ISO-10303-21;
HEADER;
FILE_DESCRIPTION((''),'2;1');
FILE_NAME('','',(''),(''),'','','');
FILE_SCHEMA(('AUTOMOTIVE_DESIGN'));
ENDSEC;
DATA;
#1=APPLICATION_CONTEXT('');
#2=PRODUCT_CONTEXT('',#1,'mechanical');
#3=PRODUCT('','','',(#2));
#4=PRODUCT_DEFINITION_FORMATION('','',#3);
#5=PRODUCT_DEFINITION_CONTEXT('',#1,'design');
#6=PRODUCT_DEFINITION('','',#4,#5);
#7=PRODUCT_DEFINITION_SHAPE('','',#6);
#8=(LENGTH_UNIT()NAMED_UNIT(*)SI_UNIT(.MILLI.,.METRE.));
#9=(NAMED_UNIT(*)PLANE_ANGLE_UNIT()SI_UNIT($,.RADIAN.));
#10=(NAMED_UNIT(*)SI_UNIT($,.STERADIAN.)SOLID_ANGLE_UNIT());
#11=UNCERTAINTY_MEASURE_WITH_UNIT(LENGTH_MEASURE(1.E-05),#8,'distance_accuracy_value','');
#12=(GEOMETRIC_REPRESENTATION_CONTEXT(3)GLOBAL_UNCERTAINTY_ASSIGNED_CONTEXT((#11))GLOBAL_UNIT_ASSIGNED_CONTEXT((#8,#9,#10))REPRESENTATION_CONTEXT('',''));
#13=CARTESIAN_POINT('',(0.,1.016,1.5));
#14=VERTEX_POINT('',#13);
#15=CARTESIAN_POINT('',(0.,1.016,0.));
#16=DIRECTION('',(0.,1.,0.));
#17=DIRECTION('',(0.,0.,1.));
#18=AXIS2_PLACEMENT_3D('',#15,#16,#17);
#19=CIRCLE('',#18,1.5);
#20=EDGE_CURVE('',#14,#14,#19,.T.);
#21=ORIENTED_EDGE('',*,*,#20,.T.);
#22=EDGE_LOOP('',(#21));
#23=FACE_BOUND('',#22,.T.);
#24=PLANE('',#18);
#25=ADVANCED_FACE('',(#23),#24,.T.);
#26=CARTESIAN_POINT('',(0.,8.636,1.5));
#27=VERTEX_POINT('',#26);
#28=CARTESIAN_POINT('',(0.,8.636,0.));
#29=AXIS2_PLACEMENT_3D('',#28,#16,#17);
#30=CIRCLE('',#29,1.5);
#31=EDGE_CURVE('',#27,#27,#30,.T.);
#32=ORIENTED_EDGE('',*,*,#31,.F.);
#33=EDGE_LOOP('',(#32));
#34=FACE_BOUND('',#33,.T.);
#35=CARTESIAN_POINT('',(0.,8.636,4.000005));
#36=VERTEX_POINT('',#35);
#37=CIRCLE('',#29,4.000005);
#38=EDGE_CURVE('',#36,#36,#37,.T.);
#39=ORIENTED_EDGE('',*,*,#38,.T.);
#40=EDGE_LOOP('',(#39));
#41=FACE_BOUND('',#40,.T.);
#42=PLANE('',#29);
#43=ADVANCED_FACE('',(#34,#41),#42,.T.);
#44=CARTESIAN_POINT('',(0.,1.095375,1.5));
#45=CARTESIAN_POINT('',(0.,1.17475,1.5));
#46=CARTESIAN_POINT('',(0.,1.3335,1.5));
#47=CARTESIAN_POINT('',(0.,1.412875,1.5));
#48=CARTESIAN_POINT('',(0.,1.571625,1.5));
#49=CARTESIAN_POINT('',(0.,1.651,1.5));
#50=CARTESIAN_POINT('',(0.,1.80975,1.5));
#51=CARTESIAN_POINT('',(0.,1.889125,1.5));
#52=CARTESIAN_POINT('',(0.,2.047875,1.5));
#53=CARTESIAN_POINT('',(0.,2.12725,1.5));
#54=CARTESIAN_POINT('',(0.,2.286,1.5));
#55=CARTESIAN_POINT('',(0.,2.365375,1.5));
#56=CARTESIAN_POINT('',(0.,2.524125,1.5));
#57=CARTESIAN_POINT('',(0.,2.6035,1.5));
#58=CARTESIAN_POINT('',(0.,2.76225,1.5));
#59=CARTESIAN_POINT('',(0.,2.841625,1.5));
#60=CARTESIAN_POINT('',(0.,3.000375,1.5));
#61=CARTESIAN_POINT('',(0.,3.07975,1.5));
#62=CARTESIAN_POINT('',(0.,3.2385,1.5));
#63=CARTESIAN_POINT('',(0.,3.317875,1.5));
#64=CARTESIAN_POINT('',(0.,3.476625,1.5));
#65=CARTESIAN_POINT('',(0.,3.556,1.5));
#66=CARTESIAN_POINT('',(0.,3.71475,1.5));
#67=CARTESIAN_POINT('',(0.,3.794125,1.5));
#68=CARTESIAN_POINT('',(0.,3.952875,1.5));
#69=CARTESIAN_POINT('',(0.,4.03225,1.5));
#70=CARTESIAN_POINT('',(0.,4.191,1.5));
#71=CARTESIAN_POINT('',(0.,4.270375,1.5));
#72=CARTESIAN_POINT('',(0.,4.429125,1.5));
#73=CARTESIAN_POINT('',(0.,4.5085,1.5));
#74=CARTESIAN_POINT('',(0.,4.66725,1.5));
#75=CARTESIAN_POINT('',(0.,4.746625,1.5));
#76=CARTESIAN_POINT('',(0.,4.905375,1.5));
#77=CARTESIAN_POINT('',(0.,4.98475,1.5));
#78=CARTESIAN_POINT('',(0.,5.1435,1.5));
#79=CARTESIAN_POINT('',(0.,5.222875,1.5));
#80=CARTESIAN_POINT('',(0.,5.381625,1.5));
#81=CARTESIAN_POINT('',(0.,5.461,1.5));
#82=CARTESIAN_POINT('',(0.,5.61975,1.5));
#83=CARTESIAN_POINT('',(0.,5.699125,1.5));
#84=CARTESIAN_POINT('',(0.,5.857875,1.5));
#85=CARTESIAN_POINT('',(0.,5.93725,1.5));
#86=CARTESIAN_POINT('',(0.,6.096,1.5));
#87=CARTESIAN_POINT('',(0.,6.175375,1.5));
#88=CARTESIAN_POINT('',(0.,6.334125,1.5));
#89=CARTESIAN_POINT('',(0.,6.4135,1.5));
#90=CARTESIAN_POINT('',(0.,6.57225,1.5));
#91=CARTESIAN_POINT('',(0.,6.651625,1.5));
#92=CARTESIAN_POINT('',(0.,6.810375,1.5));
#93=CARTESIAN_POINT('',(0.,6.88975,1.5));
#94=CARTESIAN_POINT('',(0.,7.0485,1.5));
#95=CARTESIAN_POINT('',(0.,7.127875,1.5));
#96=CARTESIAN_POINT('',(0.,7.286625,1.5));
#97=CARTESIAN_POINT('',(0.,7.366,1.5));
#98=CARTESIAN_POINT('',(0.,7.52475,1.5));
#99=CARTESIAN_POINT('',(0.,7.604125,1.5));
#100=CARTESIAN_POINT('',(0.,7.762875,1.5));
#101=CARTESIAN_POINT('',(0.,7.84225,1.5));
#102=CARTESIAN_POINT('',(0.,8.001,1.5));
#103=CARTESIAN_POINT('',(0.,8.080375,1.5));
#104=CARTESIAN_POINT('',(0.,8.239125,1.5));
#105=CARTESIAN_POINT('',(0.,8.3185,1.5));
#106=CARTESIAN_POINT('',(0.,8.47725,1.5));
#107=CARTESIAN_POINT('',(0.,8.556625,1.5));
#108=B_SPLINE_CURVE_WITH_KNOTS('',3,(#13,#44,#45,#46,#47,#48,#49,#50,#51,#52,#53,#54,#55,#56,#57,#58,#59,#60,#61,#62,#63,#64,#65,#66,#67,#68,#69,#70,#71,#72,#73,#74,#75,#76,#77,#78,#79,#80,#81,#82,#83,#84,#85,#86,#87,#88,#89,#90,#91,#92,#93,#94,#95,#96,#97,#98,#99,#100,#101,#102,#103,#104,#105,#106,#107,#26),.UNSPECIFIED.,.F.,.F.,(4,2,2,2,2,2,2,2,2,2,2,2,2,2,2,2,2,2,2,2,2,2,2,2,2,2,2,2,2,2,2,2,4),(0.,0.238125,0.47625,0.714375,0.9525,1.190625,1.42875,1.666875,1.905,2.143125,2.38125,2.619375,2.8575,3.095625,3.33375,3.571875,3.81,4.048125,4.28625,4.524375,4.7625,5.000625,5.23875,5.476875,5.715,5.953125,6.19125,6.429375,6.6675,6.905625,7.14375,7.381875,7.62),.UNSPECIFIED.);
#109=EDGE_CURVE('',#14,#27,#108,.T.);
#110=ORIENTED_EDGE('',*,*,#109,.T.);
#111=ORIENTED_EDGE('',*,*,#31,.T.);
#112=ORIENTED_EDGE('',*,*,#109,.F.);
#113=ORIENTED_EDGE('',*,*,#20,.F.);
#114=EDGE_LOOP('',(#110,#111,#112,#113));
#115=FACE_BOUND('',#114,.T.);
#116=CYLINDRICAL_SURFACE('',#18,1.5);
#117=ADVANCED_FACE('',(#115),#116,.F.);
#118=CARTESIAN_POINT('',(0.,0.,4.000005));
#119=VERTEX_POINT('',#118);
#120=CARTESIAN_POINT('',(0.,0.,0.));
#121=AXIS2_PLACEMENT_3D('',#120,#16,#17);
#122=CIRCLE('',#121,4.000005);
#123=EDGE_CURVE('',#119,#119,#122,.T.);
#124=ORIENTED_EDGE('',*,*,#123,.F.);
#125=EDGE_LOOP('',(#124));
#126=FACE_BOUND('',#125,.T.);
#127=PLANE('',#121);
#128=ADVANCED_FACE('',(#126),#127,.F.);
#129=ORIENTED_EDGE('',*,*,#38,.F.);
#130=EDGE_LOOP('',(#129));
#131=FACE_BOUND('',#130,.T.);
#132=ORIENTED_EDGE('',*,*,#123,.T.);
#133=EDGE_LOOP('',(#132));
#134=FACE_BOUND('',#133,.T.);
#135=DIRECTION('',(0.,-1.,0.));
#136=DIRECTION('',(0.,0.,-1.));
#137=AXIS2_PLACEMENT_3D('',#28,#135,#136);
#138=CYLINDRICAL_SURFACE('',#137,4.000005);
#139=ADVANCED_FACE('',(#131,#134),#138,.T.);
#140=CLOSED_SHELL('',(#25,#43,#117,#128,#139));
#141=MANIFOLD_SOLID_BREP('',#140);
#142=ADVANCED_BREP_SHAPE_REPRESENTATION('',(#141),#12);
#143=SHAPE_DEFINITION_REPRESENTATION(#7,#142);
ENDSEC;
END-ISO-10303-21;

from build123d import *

# Parameters (mm, degrees)
SKETCH1_R           = 4.0000047
BOSS_EXTRUDE1_DEPTH = 8.636
SKETCH2_R           = 1.5
CUT_EXTRUDE1_DEPTH  = 7.62


with BuildPart() as part:
    # Sketch1 → Boss-Extrude1 (new body)
    with BuildSketch(Plane(origin=(0, 0, 0), x_dir=(1, 0, 0), z_dir=(0, 1, 0))):
        with Locations(Location((0, 0, 0), (0, 0, 270))):
            Circle(SKETCH1_R)
    extrude(amount=BOSS_EXTRUDE1_DEPTH)

    # Sketch2 → Cut-Extrude1 (cut)
    with BuildSketch(Plane(origin=(0, 8.636, 0), x_dir=(1, 0, 0), z_dir=(0, 1, 0))):
        with Locations(Location((0, 0, 0), (0, 0, 270))):
            Circle(SKETCH2_R)
    extrude(amount=-CUT_EXTRUDE1_DEPTH, mode=Mode.SUBTRACT)


solid = part.part
